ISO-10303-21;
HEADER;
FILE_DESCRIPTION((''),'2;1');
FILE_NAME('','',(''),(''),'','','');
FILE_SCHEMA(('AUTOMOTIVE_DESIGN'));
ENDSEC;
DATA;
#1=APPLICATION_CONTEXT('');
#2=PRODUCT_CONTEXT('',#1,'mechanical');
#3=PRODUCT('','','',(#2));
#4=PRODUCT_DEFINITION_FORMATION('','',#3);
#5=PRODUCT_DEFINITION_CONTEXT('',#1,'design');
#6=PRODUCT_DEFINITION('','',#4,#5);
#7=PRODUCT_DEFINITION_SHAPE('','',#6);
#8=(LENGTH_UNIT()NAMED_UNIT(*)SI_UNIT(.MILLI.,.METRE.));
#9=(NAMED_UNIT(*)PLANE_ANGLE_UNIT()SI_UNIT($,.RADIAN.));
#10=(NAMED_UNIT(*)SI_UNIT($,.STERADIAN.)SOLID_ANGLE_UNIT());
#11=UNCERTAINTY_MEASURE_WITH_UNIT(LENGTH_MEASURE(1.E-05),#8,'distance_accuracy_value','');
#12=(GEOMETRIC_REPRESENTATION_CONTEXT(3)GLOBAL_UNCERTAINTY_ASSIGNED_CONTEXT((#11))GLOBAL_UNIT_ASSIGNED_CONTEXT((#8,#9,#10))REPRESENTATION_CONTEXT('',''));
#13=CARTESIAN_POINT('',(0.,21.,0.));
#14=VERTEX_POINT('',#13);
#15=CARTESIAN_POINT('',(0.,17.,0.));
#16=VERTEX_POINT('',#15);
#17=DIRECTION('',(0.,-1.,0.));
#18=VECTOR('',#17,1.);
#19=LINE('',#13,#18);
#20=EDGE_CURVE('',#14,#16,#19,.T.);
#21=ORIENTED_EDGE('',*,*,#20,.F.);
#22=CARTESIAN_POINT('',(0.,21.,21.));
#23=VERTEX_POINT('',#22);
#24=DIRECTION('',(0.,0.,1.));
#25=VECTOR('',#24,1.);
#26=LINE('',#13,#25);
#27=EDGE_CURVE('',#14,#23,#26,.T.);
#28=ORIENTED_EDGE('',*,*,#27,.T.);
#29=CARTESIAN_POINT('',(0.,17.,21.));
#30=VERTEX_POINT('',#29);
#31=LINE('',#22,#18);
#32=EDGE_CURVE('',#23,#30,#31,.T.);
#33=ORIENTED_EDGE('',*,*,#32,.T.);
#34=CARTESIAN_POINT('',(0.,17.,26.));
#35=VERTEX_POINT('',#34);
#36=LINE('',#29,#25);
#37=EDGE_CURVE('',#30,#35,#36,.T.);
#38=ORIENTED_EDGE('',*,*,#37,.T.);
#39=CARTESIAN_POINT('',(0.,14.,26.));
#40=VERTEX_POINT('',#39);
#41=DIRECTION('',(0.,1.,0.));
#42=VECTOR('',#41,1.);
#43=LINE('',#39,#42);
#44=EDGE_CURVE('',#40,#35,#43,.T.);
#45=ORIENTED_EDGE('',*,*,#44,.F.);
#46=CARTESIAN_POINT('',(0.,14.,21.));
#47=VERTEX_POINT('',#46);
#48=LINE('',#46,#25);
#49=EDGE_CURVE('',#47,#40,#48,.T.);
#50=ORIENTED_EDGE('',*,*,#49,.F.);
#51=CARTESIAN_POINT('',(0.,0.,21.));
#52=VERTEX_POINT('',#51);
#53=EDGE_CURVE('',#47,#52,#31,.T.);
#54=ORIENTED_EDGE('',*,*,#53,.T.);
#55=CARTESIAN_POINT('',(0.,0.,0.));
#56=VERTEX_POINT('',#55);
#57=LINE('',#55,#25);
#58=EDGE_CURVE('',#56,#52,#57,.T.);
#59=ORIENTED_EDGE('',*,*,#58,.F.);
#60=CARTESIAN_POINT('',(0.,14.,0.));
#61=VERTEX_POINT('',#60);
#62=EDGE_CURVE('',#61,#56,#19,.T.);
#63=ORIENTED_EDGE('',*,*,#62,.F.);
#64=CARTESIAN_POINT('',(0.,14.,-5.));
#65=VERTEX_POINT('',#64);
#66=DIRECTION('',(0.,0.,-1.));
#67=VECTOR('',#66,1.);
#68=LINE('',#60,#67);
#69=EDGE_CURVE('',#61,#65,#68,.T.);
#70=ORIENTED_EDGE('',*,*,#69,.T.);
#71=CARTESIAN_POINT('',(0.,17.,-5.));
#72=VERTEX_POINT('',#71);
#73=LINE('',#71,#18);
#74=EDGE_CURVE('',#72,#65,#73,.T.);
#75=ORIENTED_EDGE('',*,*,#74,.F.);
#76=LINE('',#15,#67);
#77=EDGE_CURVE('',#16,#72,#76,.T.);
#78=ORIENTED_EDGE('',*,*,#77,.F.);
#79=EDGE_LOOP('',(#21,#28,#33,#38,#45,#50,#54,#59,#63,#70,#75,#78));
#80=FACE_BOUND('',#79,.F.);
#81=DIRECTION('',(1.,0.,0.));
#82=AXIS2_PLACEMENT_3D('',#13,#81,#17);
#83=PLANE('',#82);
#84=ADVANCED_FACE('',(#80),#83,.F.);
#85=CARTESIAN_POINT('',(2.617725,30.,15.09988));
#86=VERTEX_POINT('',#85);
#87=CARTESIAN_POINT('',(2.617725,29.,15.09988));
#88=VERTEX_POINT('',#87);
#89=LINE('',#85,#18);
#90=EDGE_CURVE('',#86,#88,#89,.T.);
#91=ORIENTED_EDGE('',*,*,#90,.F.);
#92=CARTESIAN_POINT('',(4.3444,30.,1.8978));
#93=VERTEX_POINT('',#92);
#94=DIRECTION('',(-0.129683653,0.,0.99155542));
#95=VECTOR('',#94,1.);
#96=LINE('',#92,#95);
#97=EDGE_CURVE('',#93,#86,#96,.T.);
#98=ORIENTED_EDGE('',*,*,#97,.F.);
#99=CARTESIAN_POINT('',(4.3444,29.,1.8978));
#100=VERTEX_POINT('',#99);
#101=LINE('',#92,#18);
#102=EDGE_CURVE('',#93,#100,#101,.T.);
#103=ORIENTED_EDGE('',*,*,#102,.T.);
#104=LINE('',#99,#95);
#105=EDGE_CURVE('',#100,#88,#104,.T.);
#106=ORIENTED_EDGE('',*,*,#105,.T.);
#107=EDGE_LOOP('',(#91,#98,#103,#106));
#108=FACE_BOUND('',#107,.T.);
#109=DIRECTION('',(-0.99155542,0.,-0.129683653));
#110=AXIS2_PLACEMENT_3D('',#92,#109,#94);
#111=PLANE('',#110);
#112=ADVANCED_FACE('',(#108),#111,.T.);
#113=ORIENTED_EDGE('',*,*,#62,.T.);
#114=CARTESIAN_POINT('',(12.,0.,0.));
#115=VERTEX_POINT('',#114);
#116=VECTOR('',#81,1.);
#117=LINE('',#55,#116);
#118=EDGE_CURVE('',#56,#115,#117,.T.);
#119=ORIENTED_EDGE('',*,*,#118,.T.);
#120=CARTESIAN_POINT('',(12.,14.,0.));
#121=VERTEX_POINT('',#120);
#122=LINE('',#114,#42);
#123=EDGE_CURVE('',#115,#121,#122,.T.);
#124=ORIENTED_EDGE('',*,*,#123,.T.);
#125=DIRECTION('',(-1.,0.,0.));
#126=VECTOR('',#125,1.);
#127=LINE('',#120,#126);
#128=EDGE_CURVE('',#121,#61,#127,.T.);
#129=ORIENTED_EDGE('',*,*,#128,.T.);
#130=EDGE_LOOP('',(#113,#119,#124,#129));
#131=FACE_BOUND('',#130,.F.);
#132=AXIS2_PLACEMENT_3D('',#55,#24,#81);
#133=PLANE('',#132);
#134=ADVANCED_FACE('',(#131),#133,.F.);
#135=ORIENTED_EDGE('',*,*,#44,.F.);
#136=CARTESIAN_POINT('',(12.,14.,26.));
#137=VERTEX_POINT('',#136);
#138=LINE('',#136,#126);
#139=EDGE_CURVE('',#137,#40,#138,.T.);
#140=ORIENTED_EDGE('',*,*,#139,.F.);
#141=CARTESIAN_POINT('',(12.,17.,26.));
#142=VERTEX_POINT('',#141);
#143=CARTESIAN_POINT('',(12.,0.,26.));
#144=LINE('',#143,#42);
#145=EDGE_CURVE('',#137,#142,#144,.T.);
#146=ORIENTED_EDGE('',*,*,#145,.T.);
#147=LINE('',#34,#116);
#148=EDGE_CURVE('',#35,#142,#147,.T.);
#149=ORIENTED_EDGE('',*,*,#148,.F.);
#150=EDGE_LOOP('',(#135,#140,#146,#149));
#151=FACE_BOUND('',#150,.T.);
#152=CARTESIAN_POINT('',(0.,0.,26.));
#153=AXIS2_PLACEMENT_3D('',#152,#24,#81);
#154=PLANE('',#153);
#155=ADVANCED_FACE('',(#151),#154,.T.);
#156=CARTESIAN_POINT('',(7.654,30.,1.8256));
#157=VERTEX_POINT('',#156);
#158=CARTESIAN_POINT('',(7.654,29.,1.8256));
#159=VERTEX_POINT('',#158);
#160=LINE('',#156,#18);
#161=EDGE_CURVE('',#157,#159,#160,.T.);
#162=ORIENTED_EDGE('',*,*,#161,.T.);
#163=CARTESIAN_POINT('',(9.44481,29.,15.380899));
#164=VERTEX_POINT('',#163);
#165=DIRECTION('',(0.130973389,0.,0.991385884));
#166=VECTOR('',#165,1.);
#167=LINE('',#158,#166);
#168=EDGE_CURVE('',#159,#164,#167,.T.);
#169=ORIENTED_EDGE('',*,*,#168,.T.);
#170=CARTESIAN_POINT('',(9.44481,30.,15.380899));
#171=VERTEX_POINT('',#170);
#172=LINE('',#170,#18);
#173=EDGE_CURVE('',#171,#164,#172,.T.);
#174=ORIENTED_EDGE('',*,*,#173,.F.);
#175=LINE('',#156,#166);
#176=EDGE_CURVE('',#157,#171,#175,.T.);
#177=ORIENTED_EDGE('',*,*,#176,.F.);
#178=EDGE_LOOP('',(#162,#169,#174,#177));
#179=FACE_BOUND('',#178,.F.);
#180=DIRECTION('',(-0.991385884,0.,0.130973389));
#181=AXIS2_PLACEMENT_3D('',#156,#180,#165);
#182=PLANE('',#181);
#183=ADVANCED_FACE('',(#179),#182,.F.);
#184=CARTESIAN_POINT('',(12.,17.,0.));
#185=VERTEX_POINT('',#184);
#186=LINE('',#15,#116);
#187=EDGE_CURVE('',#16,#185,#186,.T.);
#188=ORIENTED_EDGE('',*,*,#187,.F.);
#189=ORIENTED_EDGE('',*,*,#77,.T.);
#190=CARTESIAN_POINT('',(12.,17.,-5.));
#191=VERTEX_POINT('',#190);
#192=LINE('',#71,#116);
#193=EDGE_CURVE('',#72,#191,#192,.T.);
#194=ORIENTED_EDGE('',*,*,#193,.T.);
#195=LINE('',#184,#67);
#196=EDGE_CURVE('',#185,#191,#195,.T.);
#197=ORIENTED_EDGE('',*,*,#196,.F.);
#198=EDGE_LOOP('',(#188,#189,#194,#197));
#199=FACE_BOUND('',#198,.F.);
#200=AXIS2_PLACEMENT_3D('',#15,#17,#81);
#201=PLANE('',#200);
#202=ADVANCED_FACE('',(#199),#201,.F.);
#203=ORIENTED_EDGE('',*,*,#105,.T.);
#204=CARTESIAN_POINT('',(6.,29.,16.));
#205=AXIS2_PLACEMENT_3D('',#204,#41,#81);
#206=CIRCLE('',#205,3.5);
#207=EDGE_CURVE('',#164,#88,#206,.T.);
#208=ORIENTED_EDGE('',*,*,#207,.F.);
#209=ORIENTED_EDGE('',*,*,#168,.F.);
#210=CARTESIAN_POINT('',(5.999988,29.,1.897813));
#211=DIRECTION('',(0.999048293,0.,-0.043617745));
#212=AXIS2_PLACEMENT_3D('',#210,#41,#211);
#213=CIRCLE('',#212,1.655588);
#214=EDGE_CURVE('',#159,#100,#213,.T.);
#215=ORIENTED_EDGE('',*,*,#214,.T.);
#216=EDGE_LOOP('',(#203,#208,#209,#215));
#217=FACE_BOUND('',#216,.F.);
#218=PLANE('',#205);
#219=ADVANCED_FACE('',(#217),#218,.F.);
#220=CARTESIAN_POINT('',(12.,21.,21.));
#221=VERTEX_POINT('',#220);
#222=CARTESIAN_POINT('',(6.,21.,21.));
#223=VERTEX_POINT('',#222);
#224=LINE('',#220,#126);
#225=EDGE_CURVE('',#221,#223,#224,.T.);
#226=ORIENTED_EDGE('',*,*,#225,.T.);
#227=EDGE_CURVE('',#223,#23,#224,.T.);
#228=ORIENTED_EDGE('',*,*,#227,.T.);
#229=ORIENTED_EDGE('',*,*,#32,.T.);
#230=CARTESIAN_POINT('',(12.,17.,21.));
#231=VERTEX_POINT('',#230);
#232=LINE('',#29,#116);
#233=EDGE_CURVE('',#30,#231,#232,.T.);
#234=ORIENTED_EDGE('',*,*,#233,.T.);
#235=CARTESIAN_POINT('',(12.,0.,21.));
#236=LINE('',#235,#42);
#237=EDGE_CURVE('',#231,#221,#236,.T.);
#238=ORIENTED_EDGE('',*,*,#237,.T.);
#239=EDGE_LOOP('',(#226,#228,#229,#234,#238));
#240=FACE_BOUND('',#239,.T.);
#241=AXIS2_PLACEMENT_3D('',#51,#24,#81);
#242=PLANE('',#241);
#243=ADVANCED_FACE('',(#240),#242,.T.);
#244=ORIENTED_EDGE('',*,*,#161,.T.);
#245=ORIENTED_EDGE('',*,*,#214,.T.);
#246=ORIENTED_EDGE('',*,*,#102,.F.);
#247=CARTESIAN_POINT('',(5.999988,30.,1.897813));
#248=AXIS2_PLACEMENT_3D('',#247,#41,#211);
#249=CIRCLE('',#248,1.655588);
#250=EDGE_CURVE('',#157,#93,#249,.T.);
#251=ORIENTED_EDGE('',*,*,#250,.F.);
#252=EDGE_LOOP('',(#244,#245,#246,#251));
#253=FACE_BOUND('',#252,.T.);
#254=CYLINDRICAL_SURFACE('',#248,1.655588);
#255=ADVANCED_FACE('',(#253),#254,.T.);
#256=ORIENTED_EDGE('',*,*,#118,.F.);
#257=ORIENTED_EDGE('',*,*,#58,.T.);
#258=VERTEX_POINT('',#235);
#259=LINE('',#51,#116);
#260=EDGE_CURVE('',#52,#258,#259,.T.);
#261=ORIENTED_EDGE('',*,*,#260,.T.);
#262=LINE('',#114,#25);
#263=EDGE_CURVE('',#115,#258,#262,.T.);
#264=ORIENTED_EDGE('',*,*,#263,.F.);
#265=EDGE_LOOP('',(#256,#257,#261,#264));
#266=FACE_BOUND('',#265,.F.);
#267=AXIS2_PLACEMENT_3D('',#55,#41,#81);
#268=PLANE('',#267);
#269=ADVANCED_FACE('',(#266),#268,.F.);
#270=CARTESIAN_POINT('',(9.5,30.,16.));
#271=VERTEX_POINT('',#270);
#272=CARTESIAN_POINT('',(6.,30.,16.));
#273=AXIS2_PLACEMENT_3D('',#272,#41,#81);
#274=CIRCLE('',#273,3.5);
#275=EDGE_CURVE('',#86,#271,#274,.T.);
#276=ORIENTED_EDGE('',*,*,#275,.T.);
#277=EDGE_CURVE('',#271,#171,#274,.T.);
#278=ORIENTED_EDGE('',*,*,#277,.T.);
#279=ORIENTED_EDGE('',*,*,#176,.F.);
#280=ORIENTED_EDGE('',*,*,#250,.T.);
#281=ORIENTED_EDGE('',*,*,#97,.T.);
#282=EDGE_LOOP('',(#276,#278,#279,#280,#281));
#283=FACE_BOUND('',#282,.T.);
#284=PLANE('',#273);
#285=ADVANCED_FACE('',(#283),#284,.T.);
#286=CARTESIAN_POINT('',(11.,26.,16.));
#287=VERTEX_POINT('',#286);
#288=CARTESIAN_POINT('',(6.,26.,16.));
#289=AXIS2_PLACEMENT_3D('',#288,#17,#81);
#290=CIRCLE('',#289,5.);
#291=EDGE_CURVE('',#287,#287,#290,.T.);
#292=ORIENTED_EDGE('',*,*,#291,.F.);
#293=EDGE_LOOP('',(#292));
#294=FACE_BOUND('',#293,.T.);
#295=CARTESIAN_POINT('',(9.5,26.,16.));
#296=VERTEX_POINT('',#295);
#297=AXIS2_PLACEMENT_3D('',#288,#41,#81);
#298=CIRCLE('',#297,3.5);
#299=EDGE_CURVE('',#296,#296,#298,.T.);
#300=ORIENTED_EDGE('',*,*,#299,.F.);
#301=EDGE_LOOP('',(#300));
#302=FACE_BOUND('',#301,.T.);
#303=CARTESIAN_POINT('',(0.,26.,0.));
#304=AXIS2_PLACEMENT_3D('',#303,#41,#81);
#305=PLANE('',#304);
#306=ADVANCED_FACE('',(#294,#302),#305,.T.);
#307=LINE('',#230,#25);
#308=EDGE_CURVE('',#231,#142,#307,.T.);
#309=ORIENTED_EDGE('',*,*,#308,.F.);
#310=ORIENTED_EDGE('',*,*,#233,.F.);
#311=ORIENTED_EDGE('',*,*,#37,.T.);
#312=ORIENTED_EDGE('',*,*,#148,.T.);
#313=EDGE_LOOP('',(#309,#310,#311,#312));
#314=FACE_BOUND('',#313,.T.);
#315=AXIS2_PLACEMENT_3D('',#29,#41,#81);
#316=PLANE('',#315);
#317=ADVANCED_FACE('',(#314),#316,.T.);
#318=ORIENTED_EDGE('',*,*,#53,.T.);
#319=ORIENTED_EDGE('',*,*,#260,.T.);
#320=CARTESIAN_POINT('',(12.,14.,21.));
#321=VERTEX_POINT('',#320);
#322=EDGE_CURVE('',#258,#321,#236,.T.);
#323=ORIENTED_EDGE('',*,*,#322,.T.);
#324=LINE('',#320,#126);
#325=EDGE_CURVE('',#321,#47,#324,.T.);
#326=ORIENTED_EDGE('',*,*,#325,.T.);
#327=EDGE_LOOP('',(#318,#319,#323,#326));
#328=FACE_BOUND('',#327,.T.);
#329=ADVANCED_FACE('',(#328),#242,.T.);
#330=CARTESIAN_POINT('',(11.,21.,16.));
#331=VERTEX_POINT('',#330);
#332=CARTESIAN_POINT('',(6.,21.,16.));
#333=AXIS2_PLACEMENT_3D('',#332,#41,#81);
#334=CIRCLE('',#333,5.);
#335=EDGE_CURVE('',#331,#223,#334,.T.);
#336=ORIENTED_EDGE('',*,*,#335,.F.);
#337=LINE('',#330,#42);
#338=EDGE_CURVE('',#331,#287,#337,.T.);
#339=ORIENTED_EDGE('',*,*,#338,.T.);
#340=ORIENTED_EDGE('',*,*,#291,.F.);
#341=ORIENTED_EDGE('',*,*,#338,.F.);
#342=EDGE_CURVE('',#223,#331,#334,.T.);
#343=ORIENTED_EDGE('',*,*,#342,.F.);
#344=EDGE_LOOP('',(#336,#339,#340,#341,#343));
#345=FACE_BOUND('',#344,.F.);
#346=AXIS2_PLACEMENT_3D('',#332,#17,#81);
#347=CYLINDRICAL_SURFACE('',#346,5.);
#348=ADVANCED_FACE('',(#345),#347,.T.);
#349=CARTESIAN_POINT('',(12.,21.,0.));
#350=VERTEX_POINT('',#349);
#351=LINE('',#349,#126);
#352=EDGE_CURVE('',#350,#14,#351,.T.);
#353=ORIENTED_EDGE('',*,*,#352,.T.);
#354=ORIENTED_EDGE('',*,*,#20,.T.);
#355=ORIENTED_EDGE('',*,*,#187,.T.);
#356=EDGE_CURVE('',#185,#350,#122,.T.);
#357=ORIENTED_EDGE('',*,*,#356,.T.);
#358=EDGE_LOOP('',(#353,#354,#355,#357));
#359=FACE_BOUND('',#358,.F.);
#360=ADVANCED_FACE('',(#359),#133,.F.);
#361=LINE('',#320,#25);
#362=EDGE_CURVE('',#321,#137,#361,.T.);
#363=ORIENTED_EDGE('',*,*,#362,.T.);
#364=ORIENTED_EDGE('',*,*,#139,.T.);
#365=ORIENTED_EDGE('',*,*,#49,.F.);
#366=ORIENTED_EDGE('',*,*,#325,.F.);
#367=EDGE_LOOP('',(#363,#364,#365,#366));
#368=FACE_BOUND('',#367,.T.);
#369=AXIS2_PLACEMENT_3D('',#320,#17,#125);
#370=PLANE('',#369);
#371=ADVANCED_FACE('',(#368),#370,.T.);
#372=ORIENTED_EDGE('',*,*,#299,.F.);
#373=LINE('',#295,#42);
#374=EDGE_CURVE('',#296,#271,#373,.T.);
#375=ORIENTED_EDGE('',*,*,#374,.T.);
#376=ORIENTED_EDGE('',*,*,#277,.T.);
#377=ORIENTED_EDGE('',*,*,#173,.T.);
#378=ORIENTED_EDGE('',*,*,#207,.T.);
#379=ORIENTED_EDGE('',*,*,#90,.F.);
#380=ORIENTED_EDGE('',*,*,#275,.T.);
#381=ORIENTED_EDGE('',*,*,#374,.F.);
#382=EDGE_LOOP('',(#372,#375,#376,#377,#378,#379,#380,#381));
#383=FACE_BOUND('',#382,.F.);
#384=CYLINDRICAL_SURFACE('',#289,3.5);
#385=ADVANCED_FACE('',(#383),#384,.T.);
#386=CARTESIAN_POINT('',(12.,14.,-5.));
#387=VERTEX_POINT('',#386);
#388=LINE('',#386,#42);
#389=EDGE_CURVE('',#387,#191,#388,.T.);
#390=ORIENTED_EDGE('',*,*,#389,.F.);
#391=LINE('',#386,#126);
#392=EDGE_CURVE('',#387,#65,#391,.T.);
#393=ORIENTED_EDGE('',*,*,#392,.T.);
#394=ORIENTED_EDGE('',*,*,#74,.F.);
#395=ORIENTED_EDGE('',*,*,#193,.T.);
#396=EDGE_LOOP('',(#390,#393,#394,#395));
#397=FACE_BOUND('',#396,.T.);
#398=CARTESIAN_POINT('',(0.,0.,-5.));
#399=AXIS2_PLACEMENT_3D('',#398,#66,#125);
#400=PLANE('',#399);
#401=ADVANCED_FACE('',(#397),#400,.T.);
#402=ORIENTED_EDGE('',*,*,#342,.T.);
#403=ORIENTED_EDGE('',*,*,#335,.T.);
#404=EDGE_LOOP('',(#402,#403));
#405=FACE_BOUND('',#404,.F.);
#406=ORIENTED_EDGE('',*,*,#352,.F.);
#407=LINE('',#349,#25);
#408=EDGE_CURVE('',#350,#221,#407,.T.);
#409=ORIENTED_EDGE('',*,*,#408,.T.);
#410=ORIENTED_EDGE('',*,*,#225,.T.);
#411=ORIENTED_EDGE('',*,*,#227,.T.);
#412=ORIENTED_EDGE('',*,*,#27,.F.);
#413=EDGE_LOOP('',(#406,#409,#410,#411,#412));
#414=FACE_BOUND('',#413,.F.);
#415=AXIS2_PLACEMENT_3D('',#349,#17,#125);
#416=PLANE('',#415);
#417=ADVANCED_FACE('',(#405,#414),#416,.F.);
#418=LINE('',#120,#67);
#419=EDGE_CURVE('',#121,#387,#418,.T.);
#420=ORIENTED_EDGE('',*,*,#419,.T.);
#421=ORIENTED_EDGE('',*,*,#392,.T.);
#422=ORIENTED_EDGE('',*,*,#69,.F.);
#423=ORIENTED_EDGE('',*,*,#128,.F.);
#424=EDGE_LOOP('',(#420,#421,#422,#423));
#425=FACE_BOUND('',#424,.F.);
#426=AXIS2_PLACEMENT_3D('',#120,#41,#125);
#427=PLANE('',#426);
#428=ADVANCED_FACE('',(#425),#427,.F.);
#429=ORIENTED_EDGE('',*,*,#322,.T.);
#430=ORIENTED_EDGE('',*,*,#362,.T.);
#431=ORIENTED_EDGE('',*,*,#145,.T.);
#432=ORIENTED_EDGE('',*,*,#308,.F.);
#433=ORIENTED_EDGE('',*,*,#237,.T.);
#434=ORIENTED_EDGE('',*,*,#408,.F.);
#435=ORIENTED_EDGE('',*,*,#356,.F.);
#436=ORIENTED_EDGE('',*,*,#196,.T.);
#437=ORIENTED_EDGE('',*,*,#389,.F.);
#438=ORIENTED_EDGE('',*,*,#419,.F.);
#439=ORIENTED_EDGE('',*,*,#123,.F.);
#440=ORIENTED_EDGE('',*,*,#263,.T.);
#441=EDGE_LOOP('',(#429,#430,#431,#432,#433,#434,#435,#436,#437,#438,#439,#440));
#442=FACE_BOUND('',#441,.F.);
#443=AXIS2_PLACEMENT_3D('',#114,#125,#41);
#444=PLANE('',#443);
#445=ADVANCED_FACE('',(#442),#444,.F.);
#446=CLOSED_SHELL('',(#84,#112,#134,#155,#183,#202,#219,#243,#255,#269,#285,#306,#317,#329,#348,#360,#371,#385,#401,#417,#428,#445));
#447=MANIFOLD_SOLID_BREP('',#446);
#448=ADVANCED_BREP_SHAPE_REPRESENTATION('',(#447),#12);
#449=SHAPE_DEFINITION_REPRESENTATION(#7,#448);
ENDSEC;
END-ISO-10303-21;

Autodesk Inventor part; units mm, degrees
ref_plane "YZ Plane" through (0, 0, 0) normal (1, 0, 0) x (0, 1, 0)
ref_plane "XZ Plane" through (0, 0, 0) normal (0, 1, 0) x (-1, 0, 0)
ref_plane "XY Plane" through (0, 0, 0) normal (0, 0, 1) x (1, 0, 0)
sketch "Szkic1" plane through (0, 0, 0) normal (0, 0, 1) x (1, 0, 0)
  line L0 (0, 0) -> (12, 0)
  line L1 (12, 0) -> (12, 21)
  line L2 (12, 21) -> (0, 21)
  line L3 (0, 21) -> (0, 0)
  dimension "d0" = 12
  dimension "d1" = 21
extrude "Wyciągnięcie proste1" add sketch "Szkic1" along normal blind 21
sketch "Szkic2" plane through (0, 0, 21) normal (0, 0, 1) x (1, 0, 0)
  line L0 (12, 0) -> (12, 21) projected
  line L1 (0, 17) -> (12, 17)
  line L2 (12, 17) -> (12, 14)
  line L3 (12, 14) -> (0, 14)
  line L4 (0, 14) -> (0, 17)
  line L5 (0, 17) -> (0, 14)
  line L6 (0, 21) -> (0, 0) projected
  dimension "d4" = 17
  dimension "d5" = 3
  dimension "d6" = 12
extrude "Wyciągnięcie proste2" add sketch "Szkic2" along normal blind 5
sketch "Szkic3" plane through (0, 0, 0) normal (0, 0, -1) x (-1, 0, 0)
  line L0 (0, 17) -> (0, 14) projected
  line L1 (-12, 14) -> (0, 14)
  line L2 (0, 14) -> (0, 17)
  line L3 (0, 17) -> (-12, 17) projected
  line L4 (0, 17) -> (-12, 17)
  line L5 (-12, 14) -> (-12, 17) projected
  line L6 (-12, 17) -> (-12, 14)
  point P0 (0, 0)
  point P1 (-12, 0)
extrude "Wyciągnięcie proste3" add sketch "Szkic3" along normal blind 5
sketch "Szkic4" plane through (0, 21, 0) normal (0, 1, 0) x (1, 0, 0)
  line L0 (12, -21) -> (0, -21) projected
  circle A0 centre (6, -16) radius 5
  point P0 (0, 0)
  dimension "d12" = 10
  dimension "d13" = 7.8102
extrude "Wyciągnięcie proste4" add sketch "Szkic4" along normal blind 5
sketch "Szkic5" plane through (6, 26, 16) normal (0, 1, 0) x (1, 0, 0)
  circle A0 centre (0, 0) radius 3.5
  point P0 (-6, 16)
  dimension "d16" = 7
extrude "Wyciągnięcie proste5" add sketch "Szkic5" along normal blind 4
sketch "Szkic6" plane through (6, 30, 16) normal (0, 1, 0) x (1, 0, 0)
  arc A0 (1.654, 14.1744) -> (-1.6556, 14.1022) centre (0, 14.1022) ccw
  line L0 (-1.6556, 14.1022) -> (-3.5, 0)
  circle A1 centre (0, 0) radius 3.5 projected
  line L1 (1.654, 14.1744) -> (3.5266, 0)
  point P0 (-6, 16)
  point P1 (-3.3823, 0.9001)
  point P2 (3.4448, 0.6189)
  dimension "d19" = 1.6556
  dimension "d20" = 14.977
  dimension "d21" = 3.4962
  dimension "d22" = 3.4704
  dimension "d23" = 7.349
  dimension "d24" = 6.9673
  dimension "d25" = 3.2723
  dimension "d26" = 1.6493
extrude "Wyciągnięcie proste6" add sketch "Szkic6" against normal blind 1 contours L1 A1 L0 A0
properties part number "serwo"
